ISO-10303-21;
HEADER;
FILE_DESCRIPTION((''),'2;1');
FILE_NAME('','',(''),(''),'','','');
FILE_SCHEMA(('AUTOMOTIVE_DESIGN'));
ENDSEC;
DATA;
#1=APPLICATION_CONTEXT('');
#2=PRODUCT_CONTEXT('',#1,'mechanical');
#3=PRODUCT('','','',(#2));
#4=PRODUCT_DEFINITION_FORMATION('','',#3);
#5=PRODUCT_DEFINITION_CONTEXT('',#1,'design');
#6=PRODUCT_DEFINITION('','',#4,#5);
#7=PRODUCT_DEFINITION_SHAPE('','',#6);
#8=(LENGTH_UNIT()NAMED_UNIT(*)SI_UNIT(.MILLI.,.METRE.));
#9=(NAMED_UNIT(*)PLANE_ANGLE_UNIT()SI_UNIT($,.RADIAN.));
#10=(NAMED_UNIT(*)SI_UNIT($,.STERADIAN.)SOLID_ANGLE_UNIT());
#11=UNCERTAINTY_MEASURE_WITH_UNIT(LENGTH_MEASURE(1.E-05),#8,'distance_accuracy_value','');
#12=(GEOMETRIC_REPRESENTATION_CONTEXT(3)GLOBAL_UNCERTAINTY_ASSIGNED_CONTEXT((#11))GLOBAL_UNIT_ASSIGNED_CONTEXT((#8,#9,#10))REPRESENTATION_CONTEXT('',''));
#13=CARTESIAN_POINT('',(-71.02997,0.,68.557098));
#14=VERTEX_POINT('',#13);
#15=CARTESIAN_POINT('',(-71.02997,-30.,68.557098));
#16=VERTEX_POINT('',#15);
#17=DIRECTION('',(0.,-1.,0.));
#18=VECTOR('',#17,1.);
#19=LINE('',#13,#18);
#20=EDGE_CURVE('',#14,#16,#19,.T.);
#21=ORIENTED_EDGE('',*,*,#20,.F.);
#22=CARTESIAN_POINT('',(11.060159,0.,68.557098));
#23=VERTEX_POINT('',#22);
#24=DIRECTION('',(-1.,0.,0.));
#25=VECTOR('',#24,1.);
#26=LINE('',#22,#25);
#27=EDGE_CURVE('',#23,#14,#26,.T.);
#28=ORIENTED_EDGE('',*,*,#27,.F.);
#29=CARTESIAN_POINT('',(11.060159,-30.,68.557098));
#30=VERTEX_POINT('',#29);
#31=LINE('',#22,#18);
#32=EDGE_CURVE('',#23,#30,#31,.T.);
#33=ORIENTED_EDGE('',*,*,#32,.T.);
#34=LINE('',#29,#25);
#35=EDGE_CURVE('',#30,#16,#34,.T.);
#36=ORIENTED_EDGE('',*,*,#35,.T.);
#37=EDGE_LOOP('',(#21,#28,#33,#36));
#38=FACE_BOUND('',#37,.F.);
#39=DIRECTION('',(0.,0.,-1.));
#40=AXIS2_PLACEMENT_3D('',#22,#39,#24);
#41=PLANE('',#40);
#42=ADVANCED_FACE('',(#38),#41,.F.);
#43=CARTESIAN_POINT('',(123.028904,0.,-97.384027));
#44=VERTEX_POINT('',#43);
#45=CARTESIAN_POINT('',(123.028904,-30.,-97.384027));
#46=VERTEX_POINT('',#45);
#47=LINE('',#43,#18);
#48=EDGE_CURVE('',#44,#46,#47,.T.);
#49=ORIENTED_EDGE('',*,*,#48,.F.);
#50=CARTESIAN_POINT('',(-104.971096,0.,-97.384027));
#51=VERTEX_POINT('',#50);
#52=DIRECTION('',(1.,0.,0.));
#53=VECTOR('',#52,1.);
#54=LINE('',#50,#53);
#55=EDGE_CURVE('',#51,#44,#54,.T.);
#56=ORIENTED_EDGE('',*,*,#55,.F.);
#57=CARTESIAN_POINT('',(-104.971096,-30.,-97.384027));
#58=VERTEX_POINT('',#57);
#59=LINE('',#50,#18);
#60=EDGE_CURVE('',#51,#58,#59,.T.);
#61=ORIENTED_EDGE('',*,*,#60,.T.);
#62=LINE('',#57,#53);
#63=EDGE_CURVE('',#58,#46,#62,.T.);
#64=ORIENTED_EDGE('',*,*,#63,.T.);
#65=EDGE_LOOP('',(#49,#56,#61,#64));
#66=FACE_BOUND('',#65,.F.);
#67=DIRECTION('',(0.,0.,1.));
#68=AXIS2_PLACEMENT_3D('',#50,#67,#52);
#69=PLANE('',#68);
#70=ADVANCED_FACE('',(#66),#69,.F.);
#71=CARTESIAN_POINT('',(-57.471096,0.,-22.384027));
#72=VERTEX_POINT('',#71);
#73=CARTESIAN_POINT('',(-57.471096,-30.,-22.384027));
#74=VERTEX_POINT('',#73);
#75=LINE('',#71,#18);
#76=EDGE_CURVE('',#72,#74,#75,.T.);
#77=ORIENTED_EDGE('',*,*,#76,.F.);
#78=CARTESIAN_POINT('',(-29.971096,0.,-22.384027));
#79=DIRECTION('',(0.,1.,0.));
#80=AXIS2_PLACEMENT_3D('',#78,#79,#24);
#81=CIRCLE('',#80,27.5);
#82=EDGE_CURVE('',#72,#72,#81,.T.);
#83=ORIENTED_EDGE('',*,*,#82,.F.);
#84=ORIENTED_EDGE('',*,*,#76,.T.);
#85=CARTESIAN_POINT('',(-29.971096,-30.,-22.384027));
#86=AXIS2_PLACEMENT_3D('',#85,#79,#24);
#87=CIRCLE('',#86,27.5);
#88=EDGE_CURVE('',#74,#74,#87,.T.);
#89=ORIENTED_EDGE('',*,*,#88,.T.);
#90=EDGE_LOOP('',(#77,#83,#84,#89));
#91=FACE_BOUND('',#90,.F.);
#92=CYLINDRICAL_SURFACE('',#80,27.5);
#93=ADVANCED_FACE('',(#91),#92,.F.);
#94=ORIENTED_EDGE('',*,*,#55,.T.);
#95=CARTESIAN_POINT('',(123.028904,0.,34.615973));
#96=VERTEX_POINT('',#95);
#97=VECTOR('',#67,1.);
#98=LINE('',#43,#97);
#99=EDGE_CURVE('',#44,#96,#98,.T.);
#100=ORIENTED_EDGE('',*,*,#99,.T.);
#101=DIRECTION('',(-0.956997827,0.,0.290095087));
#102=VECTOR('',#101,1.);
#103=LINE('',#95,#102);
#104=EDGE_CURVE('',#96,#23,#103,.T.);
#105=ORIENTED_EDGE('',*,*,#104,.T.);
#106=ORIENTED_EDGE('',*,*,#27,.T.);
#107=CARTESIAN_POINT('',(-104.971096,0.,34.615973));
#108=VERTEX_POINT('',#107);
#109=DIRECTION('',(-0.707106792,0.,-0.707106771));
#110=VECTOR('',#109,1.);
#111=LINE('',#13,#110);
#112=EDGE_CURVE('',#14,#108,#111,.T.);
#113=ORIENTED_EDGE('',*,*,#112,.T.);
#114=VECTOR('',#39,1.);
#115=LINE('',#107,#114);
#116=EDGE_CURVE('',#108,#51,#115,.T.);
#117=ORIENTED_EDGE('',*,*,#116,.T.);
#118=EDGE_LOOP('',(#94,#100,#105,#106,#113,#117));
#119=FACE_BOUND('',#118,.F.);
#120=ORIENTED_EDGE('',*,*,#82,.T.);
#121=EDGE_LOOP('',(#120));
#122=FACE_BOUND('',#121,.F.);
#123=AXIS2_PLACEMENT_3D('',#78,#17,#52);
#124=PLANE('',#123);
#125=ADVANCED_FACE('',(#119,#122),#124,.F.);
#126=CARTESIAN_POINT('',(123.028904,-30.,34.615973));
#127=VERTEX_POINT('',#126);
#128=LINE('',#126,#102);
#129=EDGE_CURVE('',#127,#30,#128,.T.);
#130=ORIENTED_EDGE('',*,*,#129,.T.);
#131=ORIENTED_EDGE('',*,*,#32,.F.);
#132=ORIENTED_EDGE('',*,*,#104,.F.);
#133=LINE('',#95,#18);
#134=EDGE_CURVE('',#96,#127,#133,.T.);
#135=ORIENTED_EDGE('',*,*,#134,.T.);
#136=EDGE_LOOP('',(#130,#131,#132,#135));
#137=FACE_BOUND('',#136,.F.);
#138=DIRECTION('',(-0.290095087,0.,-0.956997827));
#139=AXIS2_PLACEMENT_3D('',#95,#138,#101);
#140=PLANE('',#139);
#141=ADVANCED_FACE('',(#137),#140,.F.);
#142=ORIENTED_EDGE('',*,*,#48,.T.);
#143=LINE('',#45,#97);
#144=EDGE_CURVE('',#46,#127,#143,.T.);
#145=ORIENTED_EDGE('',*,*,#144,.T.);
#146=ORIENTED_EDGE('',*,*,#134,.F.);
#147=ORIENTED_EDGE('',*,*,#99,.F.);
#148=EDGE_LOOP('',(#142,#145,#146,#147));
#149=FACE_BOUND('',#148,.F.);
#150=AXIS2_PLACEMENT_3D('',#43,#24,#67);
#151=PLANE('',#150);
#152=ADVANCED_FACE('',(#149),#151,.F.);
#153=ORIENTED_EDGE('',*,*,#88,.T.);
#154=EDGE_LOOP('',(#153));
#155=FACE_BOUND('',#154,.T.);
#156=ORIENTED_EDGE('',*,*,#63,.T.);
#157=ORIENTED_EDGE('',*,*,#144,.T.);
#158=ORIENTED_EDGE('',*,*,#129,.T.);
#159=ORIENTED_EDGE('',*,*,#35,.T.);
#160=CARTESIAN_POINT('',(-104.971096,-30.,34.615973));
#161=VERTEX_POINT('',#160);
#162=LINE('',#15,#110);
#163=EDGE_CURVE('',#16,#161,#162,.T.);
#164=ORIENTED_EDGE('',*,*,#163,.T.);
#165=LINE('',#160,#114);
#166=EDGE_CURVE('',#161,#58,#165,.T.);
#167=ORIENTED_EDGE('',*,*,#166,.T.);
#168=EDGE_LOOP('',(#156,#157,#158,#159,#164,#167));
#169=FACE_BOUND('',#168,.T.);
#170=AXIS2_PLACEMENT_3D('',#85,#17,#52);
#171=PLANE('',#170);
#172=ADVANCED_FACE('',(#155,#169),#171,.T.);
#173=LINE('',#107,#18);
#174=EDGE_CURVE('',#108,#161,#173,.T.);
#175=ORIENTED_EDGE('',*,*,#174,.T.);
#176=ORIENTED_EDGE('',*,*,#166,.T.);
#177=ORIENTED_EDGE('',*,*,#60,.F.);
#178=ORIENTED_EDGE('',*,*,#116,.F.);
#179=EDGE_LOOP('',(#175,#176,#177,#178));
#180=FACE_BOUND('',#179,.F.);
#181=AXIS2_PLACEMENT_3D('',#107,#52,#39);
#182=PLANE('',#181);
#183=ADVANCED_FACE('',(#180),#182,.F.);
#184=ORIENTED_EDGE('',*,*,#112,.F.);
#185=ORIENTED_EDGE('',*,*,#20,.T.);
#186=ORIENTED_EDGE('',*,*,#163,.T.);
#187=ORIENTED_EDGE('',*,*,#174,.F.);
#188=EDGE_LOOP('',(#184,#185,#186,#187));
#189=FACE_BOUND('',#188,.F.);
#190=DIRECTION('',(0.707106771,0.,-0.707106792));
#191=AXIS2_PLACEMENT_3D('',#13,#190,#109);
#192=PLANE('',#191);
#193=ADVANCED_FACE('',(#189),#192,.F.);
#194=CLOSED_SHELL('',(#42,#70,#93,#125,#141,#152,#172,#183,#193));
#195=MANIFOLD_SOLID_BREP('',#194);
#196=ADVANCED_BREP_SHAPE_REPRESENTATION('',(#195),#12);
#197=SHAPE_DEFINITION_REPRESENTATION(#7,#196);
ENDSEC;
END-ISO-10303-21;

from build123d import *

# Parameters (mm, degrees)
F1_DEPTH = 30


with BuildPart() as f1:
    # F0 (on Front) → F1 (new body)
    with BuildSketch(Plane.XZ):
        with BuildLine():
            ThreePointArc((-2.471096, -22.384027), (-29.971096, 5.115973), (-57.471096, -22.384027))
            ThreePointArc((-57.471096, -22.384027), (-29.971096, -49.884027), (-2.471096, -22.384027))
        make_face()
        Polygon((-71.02997, 68.557098), (-104.971096, 34.615973), (-104.971096, -22.384027), (-104.971096, -97.384027), (123.028904, -97.384027), (123.028904, 34.615973), (11.060159, 68.557098), align=None)
        with BuildLine():
            ThreePointArc((-2.471096, -22.384027), (-29.971096, -49.884027), (-57.471096, -22.384027))
            ThreePointArc((-57.471096, -22.384027), (-29.971096, 5.115973), (-2.471096, -22.384027))
        make_face(mode=Mode.SUBTRACT)
    extrude(amount=F1_DEPTH)


solid = f1.part
